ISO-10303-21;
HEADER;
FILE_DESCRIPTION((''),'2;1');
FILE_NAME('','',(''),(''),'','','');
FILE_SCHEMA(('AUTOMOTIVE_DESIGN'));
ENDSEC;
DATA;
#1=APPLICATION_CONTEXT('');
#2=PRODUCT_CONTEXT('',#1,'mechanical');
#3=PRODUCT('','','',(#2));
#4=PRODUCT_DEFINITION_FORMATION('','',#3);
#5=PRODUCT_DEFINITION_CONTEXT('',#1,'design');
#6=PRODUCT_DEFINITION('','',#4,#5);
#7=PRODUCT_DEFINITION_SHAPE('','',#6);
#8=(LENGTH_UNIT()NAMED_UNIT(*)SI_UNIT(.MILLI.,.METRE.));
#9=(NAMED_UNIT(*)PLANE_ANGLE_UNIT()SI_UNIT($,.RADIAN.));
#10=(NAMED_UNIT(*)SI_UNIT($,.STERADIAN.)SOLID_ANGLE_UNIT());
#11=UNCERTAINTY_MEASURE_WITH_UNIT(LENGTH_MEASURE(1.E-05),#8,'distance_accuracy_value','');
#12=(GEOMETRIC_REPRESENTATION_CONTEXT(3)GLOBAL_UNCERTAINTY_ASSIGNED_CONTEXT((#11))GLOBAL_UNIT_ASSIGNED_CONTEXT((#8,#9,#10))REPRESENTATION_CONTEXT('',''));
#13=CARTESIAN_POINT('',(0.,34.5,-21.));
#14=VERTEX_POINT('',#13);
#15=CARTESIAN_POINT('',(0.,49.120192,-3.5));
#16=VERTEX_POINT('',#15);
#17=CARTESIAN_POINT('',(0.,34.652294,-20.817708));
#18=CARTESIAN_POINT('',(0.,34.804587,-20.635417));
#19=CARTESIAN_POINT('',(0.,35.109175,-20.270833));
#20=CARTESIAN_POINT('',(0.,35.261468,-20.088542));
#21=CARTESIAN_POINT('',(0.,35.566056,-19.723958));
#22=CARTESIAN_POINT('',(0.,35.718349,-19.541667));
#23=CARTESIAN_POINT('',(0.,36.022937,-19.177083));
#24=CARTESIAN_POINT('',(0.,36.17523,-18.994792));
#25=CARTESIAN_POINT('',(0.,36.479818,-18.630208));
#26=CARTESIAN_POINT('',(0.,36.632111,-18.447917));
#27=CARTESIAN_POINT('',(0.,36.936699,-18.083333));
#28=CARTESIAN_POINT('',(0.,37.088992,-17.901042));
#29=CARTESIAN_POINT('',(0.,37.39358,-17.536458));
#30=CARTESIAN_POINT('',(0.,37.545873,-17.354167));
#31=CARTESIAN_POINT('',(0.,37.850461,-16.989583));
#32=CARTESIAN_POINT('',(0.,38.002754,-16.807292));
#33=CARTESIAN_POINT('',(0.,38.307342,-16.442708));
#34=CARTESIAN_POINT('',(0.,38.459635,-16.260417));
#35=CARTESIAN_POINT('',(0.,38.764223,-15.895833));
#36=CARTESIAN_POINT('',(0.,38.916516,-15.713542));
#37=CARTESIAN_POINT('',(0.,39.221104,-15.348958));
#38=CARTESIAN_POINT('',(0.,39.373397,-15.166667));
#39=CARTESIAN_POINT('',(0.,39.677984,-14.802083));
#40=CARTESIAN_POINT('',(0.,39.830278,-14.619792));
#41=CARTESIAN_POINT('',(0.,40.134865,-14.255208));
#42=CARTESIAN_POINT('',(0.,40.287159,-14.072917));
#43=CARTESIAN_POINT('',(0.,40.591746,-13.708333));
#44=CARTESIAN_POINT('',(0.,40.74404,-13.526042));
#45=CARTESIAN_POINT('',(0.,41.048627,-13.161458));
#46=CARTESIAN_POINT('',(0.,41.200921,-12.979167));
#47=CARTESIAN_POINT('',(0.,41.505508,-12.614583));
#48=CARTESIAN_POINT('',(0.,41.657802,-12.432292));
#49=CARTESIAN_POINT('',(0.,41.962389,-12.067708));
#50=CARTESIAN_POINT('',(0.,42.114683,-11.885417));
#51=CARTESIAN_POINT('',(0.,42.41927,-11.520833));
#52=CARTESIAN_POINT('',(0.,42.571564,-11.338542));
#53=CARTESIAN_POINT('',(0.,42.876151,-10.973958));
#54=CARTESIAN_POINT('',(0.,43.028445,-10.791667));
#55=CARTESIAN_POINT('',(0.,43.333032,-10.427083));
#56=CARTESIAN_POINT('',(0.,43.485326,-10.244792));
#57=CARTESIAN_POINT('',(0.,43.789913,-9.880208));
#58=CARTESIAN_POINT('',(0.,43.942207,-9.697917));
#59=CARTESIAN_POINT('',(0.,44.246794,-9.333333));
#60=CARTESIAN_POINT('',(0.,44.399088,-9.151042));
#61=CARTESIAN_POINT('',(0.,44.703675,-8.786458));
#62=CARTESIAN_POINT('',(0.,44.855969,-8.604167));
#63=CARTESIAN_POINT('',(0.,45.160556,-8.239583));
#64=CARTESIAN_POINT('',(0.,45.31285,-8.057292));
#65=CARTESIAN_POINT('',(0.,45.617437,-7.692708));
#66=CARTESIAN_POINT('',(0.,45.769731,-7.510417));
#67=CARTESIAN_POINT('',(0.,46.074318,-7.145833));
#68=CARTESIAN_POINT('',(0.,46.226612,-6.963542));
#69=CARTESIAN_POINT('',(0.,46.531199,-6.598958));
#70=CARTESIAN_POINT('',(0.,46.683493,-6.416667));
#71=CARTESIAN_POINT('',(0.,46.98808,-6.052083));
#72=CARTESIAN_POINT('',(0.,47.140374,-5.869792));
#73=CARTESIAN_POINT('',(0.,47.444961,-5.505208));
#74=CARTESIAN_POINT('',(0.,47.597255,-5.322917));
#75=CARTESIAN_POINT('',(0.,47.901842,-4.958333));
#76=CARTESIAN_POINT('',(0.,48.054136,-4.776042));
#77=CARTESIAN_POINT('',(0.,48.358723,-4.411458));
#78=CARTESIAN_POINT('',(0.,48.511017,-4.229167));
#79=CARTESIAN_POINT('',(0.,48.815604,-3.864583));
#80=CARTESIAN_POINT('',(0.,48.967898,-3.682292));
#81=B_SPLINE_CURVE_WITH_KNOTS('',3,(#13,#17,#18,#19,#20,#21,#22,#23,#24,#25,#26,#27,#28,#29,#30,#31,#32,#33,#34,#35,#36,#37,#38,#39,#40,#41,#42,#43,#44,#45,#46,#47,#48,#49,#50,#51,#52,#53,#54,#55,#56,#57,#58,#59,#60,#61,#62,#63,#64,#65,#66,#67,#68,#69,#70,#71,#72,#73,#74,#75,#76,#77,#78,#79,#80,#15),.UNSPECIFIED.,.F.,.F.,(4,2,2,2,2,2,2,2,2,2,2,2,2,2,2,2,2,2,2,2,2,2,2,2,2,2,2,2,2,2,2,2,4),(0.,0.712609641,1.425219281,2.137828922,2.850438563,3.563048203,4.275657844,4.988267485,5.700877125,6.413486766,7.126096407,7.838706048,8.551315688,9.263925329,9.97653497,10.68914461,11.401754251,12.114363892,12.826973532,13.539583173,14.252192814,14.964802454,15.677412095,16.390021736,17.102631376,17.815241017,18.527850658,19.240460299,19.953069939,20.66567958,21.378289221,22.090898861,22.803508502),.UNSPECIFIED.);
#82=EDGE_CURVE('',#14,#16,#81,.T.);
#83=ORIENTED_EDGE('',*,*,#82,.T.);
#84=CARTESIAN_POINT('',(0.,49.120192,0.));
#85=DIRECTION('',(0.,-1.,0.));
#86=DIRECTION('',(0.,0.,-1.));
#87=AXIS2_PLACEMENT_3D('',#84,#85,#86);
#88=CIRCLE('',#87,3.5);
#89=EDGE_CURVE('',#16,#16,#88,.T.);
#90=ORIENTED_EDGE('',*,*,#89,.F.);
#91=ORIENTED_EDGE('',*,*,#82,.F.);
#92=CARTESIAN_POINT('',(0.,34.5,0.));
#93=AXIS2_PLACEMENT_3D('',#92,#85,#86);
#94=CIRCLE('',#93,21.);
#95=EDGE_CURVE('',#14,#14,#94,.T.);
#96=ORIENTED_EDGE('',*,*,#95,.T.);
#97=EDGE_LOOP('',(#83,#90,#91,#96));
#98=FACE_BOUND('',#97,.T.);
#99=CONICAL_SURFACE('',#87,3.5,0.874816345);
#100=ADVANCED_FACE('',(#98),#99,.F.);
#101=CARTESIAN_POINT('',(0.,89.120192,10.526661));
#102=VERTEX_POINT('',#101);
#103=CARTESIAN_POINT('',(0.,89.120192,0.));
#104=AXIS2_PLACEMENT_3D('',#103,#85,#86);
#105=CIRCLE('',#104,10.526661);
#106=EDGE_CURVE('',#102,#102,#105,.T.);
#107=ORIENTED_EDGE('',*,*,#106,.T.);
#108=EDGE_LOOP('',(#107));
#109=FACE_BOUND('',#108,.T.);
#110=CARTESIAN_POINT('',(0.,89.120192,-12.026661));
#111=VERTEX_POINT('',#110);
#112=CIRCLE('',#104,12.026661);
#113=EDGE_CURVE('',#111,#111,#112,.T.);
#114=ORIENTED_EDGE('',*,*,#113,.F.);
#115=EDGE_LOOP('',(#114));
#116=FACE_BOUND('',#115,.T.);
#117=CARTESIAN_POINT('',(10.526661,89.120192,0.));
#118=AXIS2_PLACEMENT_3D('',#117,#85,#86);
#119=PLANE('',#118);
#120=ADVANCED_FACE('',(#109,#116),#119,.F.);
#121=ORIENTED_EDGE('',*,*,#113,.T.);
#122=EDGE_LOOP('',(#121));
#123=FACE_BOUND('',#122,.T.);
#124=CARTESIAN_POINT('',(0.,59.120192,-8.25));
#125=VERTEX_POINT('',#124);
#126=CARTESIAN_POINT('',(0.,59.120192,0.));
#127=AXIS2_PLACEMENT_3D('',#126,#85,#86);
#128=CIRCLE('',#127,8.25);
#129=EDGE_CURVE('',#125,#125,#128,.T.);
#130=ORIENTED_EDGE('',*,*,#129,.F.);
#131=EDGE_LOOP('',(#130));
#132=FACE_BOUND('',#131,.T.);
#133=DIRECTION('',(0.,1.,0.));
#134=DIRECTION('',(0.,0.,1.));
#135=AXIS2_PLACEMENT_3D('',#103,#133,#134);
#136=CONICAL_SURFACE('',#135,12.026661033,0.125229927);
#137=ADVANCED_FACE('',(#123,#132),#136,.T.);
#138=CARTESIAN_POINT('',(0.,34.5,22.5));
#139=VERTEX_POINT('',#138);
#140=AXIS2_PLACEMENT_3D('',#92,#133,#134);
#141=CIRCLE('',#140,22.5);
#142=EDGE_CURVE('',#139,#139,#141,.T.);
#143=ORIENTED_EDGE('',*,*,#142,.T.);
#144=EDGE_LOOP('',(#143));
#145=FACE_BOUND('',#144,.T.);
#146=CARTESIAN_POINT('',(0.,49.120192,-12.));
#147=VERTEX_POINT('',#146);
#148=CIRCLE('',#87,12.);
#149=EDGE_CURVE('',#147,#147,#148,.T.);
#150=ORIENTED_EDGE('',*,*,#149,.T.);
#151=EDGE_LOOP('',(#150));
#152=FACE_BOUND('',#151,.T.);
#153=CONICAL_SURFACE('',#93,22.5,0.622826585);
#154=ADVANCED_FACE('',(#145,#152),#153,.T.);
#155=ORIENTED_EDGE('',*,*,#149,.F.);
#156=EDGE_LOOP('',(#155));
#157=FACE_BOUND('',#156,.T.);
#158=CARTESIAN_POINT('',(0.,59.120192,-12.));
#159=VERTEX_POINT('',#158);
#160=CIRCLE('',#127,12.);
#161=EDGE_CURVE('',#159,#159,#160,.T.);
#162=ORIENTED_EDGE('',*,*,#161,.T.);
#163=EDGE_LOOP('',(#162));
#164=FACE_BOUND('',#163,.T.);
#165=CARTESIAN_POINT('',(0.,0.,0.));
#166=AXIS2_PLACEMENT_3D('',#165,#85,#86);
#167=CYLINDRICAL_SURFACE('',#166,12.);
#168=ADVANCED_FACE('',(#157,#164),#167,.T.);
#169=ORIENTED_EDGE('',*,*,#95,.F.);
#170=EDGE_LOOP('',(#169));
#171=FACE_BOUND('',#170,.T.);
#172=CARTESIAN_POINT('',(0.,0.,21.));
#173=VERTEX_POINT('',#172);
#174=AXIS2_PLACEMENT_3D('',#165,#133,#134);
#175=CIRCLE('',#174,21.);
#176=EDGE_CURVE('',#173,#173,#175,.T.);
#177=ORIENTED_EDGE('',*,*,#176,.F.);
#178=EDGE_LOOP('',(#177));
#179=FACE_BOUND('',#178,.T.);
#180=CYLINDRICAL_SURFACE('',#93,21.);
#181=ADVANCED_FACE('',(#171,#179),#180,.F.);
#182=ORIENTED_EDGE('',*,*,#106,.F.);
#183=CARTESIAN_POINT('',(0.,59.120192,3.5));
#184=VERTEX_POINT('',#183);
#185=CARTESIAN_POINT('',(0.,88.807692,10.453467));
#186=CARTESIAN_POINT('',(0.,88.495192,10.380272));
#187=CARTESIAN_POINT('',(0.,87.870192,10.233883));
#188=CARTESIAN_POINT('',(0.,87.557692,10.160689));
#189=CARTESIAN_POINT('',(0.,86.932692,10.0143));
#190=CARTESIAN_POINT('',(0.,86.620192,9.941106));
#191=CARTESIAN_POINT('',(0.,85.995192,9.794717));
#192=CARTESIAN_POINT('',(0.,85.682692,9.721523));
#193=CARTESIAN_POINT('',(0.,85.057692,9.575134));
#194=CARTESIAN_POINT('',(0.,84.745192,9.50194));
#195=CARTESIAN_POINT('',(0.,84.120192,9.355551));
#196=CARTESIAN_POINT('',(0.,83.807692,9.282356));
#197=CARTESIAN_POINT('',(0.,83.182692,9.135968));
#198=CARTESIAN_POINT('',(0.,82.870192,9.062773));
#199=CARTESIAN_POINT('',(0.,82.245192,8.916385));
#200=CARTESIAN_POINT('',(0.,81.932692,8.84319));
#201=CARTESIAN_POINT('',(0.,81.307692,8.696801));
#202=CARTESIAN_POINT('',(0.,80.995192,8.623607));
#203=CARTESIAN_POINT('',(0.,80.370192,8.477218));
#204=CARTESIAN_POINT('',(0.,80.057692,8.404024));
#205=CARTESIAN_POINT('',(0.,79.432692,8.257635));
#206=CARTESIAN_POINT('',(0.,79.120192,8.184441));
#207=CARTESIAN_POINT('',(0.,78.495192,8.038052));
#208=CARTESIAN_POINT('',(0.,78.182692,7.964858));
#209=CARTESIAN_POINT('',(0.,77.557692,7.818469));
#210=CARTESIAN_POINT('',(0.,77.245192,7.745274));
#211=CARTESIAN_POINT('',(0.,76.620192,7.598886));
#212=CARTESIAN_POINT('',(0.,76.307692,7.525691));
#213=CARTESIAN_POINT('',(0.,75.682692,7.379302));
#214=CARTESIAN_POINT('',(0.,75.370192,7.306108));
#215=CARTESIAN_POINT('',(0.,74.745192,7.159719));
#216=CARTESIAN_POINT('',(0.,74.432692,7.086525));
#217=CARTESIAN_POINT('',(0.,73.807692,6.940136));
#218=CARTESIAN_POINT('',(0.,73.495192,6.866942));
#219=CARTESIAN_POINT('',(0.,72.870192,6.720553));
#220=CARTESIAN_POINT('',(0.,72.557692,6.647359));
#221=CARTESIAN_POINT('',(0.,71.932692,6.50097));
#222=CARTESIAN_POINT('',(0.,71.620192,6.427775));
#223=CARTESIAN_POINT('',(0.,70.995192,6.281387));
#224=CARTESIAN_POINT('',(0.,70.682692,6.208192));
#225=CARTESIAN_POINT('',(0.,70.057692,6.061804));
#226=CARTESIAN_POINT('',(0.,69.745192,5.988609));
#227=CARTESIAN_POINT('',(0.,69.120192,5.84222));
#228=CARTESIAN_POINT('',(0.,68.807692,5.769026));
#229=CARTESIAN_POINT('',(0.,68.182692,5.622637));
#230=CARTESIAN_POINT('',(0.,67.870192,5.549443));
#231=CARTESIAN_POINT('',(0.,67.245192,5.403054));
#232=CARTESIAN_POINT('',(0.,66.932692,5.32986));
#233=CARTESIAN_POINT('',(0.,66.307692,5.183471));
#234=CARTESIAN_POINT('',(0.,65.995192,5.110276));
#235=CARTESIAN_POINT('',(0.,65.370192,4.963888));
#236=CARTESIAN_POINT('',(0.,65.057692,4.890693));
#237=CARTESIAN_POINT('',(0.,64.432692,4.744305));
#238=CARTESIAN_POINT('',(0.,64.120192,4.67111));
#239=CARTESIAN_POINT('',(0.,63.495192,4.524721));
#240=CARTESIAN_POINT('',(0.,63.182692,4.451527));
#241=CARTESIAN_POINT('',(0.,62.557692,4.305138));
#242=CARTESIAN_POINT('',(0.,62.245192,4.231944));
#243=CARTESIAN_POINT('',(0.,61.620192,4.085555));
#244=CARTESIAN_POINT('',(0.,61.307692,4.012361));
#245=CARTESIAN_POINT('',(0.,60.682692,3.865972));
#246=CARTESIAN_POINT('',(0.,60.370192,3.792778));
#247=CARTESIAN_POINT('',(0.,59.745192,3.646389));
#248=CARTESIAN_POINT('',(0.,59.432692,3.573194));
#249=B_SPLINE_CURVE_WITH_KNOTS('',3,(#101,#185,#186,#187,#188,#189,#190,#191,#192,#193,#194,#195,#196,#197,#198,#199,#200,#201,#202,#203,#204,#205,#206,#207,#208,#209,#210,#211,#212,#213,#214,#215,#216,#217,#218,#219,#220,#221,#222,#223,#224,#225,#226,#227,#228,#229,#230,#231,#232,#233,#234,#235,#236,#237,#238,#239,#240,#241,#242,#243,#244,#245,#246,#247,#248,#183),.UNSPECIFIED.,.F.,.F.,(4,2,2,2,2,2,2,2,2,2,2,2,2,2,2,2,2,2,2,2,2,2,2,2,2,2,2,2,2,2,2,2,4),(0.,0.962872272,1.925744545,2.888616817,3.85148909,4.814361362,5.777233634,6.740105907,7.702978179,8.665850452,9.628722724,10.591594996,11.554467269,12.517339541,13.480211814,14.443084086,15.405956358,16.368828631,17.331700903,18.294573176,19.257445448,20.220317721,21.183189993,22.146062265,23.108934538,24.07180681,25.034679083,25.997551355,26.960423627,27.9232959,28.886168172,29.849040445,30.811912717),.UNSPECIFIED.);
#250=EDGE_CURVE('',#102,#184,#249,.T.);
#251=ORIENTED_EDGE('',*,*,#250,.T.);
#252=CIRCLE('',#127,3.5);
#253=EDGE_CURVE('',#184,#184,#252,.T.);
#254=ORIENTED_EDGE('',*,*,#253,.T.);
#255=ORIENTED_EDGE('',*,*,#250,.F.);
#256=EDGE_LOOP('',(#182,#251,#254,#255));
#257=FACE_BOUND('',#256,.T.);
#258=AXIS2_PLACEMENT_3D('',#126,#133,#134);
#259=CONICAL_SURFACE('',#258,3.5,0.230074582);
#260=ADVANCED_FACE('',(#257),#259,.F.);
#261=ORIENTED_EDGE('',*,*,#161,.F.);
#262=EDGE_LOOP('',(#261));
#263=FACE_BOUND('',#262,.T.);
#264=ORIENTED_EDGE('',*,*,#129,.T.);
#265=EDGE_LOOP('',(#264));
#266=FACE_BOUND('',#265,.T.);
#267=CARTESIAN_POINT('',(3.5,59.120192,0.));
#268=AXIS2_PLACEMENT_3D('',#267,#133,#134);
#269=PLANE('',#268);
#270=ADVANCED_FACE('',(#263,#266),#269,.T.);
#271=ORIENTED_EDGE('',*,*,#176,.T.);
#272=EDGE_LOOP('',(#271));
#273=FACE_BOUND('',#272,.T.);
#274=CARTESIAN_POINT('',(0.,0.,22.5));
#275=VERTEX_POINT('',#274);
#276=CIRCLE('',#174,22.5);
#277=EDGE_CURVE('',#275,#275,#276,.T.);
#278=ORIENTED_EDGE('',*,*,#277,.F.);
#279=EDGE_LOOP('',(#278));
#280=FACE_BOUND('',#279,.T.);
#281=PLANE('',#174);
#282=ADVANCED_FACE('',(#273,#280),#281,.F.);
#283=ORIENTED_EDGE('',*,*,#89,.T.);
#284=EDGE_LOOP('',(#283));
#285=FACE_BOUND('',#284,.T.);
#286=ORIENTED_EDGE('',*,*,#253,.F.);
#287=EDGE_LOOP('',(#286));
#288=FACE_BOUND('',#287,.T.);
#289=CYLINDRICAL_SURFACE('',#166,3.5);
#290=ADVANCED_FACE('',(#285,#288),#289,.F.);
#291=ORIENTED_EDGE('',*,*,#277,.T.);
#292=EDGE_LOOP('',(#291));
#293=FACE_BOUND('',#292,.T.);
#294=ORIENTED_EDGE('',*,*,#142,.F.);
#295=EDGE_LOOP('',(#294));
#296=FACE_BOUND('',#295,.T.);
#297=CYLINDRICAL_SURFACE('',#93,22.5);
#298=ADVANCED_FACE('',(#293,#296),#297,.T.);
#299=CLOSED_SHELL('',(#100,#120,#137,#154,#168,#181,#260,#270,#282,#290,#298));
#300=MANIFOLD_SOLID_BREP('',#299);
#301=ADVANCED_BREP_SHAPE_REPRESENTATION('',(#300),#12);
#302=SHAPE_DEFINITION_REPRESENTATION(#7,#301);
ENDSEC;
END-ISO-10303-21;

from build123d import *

# Parameters (mm, degrees)
SKETCH1_R           = 22.5
SKETCH1_R_2         = 21
BOSS_EXTRUDE1_DEPTH = 34.5


with BuildPart() as part:
    # Sketch1 → Boss-Extrude1 (new body)
    with BuildSketch(Plane(origin=(0, 0, 0), x_dir=(1, 0, 0), z_dir=(0, 1, 0))):
        with Locations(Location((0, 0, 0), (0, 0, 270))):
            Circle(SKETCH1_R)
        with Locations(Location((0, 0, 0), (0, 0, 270))):
            Circle(SKETCH1_R_2, mode=Mode.SUBTRACT)
    extrude(amount=BOSS_EXTRUDE1_DEPTH)

    # Sketch5 → Revolve1 (revolve)
    with BuildSketch(Plane.XY, mode=Mode.PRIVATE) as revolve1_sk:
        Polygon((22.5, 34.5), (12, 49.120191517), (12, 59.120191517), (3.5, 59.120191517), (3.5, 49.120191517), (21, 34.5), align=None)
    revolve(revolve1_sk.sketch.rotate(Axis((0, 0, 0), (0, 1, 0)), 90), axis=Axis((0, 0, 0), (0, 1, 0)))

    # Sketch10 → Revolve3 (revolve)
    with BuildSketch(Plane(origin=(0, 0, 0), x_dir=(-1, 0, 0), z_dir=(0, 0, -1)), mode=Mode.PRIVATE) as revolve3_sk:
        Polygon((-3.5, 59.120191517), (-10.526661033, 89.120191517), (-12.026661033, 89.120191517), (-8.25, 59.120191517), align=None)
    revolve(revolve3_sk.sketch.rotate(Axis((0, 59.120191517, 0), (0, 1, 0)), 90), axis=Axis((0, 59.120191517, 0), (0, 1, 0)))


solid = part.part
